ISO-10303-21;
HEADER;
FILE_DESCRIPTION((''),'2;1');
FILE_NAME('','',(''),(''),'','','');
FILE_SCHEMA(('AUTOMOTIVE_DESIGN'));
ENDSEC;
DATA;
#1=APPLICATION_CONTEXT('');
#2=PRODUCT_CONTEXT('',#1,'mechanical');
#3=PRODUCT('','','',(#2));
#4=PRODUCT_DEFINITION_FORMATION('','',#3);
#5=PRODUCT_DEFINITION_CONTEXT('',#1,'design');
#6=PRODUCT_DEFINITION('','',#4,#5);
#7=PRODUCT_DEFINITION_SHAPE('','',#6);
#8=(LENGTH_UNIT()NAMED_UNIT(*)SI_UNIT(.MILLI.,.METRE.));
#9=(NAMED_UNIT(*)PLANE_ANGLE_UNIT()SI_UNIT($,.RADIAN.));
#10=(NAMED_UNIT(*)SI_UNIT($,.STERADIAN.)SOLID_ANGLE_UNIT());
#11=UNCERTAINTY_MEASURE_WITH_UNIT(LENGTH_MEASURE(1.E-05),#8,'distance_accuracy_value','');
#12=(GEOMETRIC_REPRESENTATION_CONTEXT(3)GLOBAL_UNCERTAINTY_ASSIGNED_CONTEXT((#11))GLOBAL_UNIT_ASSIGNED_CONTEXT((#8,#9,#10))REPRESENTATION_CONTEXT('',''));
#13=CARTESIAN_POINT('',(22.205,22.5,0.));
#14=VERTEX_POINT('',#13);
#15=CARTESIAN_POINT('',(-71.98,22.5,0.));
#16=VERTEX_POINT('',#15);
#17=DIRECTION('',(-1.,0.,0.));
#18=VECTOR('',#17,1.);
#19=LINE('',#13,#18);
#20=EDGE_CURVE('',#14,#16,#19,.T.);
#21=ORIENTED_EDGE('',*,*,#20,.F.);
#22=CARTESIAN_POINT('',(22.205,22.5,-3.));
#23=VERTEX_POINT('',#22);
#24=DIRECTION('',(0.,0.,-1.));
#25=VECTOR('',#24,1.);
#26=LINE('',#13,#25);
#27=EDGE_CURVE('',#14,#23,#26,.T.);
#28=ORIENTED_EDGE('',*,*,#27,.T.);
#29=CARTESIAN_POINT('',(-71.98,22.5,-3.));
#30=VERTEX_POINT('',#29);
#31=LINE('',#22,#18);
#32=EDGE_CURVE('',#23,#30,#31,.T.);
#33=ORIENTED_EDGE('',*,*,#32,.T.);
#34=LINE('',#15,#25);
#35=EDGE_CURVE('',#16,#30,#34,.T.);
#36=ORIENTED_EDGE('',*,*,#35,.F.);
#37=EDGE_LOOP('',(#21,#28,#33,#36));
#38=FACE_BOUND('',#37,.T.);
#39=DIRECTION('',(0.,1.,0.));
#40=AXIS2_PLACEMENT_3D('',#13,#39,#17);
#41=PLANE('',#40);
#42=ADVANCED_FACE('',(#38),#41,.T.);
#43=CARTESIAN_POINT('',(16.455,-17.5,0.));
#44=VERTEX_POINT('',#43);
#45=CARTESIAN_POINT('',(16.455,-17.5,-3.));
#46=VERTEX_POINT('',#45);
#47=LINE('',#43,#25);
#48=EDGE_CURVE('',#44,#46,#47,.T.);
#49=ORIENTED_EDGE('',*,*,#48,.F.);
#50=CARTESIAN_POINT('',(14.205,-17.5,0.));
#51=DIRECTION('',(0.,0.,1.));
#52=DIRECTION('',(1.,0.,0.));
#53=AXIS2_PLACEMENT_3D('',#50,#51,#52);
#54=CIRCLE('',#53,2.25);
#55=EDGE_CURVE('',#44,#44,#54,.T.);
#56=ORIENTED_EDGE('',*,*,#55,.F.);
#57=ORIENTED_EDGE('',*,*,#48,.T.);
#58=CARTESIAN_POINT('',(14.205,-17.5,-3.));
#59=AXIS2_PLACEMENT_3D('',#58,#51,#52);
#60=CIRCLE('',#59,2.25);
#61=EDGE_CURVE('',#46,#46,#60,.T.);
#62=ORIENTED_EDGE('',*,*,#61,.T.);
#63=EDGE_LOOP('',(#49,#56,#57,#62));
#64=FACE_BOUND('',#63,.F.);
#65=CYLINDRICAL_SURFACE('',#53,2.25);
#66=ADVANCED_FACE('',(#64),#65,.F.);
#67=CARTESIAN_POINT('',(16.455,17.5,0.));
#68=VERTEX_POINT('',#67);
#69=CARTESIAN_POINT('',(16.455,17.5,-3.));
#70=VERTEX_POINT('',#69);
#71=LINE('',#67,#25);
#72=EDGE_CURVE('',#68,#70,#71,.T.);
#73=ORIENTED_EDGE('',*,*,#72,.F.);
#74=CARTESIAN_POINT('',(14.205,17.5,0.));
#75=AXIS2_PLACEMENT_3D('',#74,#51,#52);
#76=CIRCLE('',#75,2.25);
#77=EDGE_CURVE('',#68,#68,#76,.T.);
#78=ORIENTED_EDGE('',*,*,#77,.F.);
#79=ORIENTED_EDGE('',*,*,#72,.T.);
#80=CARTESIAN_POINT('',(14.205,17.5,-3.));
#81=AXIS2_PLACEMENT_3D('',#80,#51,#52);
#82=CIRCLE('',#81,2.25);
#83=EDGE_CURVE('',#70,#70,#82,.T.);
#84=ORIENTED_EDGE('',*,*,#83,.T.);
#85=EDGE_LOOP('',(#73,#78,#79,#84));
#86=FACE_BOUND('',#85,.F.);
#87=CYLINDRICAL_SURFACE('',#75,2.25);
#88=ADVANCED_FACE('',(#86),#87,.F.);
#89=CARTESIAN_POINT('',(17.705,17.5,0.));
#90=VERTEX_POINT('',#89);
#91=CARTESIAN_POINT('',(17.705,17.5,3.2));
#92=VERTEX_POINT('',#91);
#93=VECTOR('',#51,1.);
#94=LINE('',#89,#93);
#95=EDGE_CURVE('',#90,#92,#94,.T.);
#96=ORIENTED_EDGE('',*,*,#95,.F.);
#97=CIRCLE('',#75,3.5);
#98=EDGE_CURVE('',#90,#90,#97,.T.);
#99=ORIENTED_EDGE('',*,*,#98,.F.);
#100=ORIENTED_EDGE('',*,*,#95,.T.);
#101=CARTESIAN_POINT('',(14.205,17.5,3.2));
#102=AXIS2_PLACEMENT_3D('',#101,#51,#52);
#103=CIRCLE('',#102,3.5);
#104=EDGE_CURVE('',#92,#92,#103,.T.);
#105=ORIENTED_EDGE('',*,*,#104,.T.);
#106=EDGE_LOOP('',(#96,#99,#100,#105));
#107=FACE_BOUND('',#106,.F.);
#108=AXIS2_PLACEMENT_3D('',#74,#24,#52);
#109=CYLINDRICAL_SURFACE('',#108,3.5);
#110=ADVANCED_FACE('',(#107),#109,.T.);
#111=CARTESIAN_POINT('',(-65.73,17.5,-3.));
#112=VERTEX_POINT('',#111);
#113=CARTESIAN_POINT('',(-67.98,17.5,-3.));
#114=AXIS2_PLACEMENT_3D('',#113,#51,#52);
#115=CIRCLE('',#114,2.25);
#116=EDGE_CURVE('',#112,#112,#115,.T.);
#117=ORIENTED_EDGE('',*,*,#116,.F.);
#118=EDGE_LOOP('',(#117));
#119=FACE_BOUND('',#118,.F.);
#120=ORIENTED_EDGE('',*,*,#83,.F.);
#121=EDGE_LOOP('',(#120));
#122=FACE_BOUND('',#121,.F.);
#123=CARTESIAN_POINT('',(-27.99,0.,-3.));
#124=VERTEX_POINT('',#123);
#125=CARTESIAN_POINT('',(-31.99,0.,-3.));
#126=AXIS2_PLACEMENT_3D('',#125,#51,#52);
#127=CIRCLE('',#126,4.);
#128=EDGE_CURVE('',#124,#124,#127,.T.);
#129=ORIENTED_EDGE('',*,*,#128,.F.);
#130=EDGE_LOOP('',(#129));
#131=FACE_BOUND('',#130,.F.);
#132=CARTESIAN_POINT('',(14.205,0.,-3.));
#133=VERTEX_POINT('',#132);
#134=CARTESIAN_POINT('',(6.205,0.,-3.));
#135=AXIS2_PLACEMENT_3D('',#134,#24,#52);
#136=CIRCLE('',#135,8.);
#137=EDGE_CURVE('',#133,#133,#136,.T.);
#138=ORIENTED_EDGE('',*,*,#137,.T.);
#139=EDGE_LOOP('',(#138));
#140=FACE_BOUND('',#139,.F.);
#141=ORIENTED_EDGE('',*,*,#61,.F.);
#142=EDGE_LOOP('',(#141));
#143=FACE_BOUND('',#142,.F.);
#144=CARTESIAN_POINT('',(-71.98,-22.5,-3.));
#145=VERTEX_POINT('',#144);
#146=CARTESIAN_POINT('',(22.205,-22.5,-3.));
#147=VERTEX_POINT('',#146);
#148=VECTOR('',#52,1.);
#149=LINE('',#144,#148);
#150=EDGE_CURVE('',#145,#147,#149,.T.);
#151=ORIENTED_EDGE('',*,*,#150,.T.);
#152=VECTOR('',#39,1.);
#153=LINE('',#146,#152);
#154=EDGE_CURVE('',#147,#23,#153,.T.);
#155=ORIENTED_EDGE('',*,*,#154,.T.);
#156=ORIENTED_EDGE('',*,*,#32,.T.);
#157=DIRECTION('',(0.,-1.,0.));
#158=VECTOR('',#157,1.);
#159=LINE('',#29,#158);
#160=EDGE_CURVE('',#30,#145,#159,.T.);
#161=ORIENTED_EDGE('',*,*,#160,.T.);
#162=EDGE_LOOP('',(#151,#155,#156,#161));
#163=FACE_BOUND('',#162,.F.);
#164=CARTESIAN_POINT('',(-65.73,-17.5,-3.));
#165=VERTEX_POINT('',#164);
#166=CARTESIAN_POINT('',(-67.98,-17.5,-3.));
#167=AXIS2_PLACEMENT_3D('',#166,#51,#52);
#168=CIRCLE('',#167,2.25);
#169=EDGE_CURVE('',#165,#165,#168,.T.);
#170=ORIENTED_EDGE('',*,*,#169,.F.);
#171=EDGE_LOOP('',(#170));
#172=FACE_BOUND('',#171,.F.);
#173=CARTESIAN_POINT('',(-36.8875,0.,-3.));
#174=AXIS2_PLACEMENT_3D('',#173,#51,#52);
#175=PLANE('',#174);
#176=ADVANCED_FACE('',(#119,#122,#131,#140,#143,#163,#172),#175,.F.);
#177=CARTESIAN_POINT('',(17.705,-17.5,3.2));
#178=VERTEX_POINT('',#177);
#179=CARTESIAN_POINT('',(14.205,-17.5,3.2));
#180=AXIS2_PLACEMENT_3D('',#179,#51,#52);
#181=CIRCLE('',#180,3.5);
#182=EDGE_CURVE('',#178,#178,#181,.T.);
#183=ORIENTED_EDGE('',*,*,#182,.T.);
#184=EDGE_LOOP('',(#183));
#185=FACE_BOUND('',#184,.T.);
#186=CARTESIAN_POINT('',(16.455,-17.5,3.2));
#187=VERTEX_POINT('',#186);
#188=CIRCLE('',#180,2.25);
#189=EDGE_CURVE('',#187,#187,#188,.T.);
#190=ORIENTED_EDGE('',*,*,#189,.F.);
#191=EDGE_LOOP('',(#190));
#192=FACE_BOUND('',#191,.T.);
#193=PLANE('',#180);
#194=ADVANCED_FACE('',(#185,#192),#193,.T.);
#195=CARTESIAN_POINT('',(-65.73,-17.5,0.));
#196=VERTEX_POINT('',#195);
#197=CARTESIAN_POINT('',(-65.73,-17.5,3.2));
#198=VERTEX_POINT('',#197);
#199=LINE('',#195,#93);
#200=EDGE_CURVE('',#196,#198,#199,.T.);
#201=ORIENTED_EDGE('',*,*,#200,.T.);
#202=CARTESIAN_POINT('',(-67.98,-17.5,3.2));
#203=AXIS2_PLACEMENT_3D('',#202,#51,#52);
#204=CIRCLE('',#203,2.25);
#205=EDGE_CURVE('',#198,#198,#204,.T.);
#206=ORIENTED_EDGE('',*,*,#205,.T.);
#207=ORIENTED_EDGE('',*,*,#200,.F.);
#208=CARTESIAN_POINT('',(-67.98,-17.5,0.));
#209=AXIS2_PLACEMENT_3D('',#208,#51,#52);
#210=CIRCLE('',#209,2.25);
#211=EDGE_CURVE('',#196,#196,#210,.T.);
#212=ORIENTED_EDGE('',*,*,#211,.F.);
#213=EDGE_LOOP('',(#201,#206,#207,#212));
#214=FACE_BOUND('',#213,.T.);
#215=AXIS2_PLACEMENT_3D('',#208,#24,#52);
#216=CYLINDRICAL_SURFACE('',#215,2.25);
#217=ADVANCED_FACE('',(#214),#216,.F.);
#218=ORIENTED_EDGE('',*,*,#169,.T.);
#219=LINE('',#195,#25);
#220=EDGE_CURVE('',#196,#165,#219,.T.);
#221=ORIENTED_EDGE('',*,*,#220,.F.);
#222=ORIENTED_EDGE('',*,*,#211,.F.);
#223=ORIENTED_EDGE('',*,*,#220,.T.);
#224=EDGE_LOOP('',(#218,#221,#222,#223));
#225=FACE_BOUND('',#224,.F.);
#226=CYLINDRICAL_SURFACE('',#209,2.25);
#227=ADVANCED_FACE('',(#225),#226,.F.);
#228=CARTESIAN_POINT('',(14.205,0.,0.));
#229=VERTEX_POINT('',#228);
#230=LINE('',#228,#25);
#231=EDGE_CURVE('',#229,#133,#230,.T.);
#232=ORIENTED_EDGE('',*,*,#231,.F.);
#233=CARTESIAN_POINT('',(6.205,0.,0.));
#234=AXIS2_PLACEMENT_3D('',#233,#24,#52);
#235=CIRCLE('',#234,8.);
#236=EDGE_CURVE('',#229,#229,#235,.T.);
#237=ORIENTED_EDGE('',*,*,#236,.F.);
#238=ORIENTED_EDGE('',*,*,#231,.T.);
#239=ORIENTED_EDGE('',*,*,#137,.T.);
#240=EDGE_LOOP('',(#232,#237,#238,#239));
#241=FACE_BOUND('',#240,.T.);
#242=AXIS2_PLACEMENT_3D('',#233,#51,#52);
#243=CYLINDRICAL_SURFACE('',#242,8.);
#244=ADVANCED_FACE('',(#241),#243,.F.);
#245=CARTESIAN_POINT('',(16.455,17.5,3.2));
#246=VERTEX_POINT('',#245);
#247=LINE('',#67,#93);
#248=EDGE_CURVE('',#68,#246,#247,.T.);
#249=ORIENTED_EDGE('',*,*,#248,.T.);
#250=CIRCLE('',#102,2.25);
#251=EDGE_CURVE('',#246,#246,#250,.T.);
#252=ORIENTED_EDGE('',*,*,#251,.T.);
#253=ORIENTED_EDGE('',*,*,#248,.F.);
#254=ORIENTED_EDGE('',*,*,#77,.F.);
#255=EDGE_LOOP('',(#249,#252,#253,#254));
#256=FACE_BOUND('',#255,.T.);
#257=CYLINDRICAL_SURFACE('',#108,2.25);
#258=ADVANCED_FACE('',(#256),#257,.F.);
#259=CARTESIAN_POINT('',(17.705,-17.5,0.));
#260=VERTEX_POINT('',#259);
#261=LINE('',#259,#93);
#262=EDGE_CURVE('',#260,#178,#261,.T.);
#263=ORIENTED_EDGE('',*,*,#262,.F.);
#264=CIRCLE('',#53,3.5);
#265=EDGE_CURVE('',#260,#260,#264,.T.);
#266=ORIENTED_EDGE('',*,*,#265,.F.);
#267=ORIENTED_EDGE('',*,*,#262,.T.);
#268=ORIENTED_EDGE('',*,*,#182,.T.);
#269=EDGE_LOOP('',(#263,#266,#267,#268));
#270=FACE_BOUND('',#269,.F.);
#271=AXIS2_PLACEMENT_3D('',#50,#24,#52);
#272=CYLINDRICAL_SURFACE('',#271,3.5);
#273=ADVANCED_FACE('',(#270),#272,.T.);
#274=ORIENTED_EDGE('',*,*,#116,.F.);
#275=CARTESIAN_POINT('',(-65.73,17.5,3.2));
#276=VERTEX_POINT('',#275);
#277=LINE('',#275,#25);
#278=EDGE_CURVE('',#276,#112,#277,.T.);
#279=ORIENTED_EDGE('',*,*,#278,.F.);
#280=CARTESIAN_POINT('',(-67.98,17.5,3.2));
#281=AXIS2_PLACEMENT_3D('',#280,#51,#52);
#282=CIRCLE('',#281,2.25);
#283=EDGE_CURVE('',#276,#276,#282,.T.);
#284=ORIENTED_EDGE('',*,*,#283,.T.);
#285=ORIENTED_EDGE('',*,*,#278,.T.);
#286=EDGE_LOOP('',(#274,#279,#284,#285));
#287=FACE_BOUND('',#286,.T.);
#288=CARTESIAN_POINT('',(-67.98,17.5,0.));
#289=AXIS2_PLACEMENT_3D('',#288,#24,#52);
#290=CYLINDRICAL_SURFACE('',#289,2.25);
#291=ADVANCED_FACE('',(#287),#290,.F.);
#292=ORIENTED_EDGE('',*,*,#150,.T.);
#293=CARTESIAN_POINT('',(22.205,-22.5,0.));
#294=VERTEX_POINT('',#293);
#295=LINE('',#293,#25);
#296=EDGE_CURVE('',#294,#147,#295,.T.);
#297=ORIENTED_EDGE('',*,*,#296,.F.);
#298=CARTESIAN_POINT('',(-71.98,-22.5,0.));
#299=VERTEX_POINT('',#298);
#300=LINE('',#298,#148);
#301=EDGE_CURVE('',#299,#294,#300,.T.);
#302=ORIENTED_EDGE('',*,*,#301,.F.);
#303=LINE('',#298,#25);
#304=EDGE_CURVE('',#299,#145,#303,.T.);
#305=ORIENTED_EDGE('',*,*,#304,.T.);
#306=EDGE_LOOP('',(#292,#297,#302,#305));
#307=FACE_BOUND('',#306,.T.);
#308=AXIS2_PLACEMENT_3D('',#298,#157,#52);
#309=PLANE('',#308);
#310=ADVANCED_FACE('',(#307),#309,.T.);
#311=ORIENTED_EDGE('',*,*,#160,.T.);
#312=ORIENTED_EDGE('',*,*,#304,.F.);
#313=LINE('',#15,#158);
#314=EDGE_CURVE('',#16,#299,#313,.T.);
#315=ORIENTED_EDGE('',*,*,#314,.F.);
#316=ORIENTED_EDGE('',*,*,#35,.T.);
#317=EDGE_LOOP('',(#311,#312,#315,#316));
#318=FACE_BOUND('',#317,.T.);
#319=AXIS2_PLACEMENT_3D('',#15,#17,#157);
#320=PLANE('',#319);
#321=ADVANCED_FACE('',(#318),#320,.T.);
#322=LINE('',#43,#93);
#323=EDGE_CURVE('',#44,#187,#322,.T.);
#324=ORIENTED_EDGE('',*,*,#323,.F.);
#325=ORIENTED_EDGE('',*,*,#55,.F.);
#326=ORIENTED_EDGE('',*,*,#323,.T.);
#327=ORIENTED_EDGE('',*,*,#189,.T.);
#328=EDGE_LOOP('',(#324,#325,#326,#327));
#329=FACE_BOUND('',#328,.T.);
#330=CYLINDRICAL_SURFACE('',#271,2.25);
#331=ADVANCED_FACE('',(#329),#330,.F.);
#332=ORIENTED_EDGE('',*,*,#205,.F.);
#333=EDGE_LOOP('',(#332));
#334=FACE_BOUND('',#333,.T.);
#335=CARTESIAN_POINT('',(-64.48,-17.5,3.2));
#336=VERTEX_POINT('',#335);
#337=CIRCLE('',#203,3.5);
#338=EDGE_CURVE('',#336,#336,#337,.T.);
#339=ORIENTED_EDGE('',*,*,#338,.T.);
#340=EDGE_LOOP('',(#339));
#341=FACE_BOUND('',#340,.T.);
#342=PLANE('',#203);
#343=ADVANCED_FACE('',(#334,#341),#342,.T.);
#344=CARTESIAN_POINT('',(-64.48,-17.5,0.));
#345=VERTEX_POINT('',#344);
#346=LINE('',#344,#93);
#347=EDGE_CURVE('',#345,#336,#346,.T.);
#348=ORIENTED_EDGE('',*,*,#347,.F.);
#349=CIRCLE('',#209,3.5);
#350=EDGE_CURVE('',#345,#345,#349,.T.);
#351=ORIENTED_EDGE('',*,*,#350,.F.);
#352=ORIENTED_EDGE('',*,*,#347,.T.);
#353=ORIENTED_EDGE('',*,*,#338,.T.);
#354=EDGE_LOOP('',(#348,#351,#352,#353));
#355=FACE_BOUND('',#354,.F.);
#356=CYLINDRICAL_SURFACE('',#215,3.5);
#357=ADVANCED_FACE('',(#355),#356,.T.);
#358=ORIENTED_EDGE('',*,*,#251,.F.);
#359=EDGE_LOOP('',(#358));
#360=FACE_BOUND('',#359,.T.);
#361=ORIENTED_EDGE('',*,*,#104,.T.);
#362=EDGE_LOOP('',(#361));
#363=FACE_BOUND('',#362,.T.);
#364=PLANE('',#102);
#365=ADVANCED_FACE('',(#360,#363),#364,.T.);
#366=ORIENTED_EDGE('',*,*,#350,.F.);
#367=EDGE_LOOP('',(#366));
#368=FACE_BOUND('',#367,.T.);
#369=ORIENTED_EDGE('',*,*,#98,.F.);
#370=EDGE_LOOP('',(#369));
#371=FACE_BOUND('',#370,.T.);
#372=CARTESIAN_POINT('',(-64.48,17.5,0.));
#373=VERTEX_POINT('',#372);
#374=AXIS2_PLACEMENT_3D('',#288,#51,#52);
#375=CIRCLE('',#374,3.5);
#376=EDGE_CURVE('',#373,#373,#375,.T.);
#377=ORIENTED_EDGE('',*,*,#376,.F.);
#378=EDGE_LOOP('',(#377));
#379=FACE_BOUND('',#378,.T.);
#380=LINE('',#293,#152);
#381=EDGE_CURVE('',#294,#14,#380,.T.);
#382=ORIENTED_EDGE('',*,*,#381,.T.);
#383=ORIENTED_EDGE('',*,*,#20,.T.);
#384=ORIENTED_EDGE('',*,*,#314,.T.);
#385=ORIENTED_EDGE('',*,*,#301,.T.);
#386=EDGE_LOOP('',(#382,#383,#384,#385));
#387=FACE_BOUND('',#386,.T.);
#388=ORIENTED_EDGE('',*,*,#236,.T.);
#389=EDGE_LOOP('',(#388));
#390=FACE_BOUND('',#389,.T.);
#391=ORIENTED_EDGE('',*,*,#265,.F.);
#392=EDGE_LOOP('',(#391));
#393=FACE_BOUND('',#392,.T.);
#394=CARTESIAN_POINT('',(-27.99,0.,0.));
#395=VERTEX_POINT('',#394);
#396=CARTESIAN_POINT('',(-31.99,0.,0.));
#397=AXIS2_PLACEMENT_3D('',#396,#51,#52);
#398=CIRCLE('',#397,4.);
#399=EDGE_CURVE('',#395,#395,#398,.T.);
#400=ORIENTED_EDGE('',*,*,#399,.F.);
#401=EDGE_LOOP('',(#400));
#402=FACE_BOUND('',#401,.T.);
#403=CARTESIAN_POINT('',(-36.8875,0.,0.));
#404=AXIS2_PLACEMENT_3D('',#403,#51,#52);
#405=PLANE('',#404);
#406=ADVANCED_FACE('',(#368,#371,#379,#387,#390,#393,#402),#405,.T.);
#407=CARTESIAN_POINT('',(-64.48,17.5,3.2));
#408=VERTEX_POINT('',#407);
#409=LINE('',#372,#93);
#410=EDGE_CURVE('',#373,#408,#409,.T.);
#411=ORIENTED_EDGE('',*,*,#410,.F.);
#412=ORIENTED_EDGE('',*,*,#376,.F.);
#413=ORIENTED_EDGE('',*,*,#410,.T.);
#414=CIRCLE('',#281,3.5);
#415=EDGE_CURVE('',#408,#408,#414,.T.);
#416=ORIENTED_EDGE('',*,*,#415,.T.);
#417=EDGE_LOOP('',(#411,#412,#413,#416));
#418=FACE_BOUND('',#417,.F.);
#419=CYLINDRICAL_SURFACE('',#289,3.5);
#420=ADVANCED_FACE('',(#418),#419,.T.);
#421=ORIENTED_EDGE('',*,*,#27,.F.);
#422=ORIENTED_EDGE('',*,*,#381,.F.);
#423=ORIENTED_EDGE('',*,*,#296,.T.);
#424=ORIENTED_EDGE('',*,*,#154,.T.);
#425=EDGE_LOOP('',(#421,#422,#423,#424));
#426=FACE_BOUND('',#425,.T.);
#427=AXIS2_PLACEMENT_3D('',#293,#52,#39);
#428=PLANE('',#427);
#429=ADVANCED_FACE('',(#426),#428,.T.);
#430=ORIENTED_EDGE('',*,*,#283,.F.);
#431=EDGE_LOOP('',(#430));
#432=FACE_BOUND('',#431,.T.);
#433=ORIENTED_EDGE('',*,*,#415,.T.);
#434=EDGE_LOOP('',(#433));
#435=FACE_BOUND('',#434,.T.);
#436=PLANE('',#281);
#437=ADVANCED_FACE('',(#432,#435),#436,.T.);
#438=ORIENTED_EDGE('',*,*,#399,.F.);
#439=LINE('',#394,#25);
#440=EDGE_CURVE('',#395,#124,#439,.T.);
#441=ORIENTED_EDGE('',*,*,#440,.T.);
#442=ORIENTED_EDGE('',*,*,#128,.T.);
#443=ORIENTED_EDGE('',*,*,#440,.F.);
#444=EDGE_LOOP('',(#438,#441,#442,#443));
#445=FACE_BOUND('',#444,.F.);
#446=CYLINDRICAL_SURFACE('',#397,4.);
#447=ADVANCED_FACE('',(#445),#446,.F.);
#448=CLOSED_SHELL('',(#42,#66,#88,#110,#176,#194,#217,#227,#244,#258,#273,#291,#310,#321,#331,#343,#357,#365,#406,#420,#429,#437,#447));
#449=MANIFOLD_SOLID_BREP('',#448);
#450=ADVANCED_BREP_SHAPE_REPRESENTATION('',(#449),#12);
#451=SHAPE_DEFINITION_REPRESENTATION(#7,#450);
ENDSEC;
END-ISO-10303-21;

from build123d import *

# Parameters (mm, degrees)
F0_R     = 3.5
F0_R_2   = 4
F0_R_3   = 2.25
F1_DEPTH = 3
F2_DEPTH = 3.2


with BuildPart() as f1:
    # F0 (on Top) → F1 (new body)
    with BuildSketch(Plane.XY):
        Polygon((-1.795, -22.5), (-1.795, 9.1e-09), (-1.795, 22.5), (-71.98, 22.5), (-71.98, -22.5), align=None)
        with Locations((-67.98, -17.5)):
            Circle(F0_R, mode=Mode.SUBTRACT)
        with Locations((-31.99, 0)):
            Circle(F0_R_2, mode=Mode.SUBTRACT)
        with Locations((-67.98, 17.5)):
            Circle(F0_R, mode=Mode.SUBTRACT)
        Polygon((-1.795, 22.5), (-1.795, 9.1e-09), (-1.795, -22.5), (22.205, -22.5), (22.205, 22.5), align=None)
        with Locations((14.205, -17.5)):
            Circle(F0_R, mode=Mode.SUBTRACT)
        with BuildLine():
            ThreePointArc((-1.795, 9.1e-09), (6.2050000046, 8), (14.205, 0))
            ThreePointArc((14.205, 0), (6.2049999954, -8), (-1.795, 9.1e-09))
        make_face(mode=Mode.SUBTRACT)
        with Locations((14.205, 17.5)):
            Circle(F0_R, mode=Mode.SUBTRACT)
        with Locations((-67.98, 17.5)):
            Circle(F0_R)
        with Locations((-67.98, 17.5)):
            Circle(F0_R_3, mode=Mode.SUBTRACT)
        with Locations((-67.98, -17.5)):
            Circle(F0_R)
        with Locations((-67.98, -17.5)):
            Circle(F0_R_3, mode=Mode.SUBTRACT)
        with Locations((14.205, -17.5)):
            Circle(F0_R)
        with Locations((14.205, -17.5)):
            Circle(F0_R_3, mode=Mode.SUBTRACT)
        with Locations((14.205, 17.5)):
            Circle(F0_R)
        with Locations((14.205, 17.5)):
            Circle(F0_R_3, mode=Mode.SUBTRACT)
    extrude(amount=-F1_DEPTH)

    # F0 (on Top) → F2 (join)
    with BuildSketch(Plane.XY):
        with Locations((-67.98, 17.5)):
            Circle(F0_R)
        with Locations((-67.98, 17.5)):
            Circle(F0_R_3, mode=Mode.SUBTRACT)
        with Locations((-67.98, -17.5)):
            Circle(F0_R)
        with Locations((-67.98, -17.5)):
            Circle(F0_R_3, mode=Mode.SUBTRACT)
        with Locations((14.205, -17.5)):
            Circle(F0_R)
        with Locations((14.205, -17.5)):
            Circle(F0_R_3, mode=Mode.SUBTRACT)
        with Locations((14.205, 17.5)):
            Circle(F0_R)
        with Locations((14.205, 17.5)):
            Circle(F0_R_3, mode=Mode.SUBTRACT)
    extrude(amount=F2_DEPTH)


solid = f1.part
